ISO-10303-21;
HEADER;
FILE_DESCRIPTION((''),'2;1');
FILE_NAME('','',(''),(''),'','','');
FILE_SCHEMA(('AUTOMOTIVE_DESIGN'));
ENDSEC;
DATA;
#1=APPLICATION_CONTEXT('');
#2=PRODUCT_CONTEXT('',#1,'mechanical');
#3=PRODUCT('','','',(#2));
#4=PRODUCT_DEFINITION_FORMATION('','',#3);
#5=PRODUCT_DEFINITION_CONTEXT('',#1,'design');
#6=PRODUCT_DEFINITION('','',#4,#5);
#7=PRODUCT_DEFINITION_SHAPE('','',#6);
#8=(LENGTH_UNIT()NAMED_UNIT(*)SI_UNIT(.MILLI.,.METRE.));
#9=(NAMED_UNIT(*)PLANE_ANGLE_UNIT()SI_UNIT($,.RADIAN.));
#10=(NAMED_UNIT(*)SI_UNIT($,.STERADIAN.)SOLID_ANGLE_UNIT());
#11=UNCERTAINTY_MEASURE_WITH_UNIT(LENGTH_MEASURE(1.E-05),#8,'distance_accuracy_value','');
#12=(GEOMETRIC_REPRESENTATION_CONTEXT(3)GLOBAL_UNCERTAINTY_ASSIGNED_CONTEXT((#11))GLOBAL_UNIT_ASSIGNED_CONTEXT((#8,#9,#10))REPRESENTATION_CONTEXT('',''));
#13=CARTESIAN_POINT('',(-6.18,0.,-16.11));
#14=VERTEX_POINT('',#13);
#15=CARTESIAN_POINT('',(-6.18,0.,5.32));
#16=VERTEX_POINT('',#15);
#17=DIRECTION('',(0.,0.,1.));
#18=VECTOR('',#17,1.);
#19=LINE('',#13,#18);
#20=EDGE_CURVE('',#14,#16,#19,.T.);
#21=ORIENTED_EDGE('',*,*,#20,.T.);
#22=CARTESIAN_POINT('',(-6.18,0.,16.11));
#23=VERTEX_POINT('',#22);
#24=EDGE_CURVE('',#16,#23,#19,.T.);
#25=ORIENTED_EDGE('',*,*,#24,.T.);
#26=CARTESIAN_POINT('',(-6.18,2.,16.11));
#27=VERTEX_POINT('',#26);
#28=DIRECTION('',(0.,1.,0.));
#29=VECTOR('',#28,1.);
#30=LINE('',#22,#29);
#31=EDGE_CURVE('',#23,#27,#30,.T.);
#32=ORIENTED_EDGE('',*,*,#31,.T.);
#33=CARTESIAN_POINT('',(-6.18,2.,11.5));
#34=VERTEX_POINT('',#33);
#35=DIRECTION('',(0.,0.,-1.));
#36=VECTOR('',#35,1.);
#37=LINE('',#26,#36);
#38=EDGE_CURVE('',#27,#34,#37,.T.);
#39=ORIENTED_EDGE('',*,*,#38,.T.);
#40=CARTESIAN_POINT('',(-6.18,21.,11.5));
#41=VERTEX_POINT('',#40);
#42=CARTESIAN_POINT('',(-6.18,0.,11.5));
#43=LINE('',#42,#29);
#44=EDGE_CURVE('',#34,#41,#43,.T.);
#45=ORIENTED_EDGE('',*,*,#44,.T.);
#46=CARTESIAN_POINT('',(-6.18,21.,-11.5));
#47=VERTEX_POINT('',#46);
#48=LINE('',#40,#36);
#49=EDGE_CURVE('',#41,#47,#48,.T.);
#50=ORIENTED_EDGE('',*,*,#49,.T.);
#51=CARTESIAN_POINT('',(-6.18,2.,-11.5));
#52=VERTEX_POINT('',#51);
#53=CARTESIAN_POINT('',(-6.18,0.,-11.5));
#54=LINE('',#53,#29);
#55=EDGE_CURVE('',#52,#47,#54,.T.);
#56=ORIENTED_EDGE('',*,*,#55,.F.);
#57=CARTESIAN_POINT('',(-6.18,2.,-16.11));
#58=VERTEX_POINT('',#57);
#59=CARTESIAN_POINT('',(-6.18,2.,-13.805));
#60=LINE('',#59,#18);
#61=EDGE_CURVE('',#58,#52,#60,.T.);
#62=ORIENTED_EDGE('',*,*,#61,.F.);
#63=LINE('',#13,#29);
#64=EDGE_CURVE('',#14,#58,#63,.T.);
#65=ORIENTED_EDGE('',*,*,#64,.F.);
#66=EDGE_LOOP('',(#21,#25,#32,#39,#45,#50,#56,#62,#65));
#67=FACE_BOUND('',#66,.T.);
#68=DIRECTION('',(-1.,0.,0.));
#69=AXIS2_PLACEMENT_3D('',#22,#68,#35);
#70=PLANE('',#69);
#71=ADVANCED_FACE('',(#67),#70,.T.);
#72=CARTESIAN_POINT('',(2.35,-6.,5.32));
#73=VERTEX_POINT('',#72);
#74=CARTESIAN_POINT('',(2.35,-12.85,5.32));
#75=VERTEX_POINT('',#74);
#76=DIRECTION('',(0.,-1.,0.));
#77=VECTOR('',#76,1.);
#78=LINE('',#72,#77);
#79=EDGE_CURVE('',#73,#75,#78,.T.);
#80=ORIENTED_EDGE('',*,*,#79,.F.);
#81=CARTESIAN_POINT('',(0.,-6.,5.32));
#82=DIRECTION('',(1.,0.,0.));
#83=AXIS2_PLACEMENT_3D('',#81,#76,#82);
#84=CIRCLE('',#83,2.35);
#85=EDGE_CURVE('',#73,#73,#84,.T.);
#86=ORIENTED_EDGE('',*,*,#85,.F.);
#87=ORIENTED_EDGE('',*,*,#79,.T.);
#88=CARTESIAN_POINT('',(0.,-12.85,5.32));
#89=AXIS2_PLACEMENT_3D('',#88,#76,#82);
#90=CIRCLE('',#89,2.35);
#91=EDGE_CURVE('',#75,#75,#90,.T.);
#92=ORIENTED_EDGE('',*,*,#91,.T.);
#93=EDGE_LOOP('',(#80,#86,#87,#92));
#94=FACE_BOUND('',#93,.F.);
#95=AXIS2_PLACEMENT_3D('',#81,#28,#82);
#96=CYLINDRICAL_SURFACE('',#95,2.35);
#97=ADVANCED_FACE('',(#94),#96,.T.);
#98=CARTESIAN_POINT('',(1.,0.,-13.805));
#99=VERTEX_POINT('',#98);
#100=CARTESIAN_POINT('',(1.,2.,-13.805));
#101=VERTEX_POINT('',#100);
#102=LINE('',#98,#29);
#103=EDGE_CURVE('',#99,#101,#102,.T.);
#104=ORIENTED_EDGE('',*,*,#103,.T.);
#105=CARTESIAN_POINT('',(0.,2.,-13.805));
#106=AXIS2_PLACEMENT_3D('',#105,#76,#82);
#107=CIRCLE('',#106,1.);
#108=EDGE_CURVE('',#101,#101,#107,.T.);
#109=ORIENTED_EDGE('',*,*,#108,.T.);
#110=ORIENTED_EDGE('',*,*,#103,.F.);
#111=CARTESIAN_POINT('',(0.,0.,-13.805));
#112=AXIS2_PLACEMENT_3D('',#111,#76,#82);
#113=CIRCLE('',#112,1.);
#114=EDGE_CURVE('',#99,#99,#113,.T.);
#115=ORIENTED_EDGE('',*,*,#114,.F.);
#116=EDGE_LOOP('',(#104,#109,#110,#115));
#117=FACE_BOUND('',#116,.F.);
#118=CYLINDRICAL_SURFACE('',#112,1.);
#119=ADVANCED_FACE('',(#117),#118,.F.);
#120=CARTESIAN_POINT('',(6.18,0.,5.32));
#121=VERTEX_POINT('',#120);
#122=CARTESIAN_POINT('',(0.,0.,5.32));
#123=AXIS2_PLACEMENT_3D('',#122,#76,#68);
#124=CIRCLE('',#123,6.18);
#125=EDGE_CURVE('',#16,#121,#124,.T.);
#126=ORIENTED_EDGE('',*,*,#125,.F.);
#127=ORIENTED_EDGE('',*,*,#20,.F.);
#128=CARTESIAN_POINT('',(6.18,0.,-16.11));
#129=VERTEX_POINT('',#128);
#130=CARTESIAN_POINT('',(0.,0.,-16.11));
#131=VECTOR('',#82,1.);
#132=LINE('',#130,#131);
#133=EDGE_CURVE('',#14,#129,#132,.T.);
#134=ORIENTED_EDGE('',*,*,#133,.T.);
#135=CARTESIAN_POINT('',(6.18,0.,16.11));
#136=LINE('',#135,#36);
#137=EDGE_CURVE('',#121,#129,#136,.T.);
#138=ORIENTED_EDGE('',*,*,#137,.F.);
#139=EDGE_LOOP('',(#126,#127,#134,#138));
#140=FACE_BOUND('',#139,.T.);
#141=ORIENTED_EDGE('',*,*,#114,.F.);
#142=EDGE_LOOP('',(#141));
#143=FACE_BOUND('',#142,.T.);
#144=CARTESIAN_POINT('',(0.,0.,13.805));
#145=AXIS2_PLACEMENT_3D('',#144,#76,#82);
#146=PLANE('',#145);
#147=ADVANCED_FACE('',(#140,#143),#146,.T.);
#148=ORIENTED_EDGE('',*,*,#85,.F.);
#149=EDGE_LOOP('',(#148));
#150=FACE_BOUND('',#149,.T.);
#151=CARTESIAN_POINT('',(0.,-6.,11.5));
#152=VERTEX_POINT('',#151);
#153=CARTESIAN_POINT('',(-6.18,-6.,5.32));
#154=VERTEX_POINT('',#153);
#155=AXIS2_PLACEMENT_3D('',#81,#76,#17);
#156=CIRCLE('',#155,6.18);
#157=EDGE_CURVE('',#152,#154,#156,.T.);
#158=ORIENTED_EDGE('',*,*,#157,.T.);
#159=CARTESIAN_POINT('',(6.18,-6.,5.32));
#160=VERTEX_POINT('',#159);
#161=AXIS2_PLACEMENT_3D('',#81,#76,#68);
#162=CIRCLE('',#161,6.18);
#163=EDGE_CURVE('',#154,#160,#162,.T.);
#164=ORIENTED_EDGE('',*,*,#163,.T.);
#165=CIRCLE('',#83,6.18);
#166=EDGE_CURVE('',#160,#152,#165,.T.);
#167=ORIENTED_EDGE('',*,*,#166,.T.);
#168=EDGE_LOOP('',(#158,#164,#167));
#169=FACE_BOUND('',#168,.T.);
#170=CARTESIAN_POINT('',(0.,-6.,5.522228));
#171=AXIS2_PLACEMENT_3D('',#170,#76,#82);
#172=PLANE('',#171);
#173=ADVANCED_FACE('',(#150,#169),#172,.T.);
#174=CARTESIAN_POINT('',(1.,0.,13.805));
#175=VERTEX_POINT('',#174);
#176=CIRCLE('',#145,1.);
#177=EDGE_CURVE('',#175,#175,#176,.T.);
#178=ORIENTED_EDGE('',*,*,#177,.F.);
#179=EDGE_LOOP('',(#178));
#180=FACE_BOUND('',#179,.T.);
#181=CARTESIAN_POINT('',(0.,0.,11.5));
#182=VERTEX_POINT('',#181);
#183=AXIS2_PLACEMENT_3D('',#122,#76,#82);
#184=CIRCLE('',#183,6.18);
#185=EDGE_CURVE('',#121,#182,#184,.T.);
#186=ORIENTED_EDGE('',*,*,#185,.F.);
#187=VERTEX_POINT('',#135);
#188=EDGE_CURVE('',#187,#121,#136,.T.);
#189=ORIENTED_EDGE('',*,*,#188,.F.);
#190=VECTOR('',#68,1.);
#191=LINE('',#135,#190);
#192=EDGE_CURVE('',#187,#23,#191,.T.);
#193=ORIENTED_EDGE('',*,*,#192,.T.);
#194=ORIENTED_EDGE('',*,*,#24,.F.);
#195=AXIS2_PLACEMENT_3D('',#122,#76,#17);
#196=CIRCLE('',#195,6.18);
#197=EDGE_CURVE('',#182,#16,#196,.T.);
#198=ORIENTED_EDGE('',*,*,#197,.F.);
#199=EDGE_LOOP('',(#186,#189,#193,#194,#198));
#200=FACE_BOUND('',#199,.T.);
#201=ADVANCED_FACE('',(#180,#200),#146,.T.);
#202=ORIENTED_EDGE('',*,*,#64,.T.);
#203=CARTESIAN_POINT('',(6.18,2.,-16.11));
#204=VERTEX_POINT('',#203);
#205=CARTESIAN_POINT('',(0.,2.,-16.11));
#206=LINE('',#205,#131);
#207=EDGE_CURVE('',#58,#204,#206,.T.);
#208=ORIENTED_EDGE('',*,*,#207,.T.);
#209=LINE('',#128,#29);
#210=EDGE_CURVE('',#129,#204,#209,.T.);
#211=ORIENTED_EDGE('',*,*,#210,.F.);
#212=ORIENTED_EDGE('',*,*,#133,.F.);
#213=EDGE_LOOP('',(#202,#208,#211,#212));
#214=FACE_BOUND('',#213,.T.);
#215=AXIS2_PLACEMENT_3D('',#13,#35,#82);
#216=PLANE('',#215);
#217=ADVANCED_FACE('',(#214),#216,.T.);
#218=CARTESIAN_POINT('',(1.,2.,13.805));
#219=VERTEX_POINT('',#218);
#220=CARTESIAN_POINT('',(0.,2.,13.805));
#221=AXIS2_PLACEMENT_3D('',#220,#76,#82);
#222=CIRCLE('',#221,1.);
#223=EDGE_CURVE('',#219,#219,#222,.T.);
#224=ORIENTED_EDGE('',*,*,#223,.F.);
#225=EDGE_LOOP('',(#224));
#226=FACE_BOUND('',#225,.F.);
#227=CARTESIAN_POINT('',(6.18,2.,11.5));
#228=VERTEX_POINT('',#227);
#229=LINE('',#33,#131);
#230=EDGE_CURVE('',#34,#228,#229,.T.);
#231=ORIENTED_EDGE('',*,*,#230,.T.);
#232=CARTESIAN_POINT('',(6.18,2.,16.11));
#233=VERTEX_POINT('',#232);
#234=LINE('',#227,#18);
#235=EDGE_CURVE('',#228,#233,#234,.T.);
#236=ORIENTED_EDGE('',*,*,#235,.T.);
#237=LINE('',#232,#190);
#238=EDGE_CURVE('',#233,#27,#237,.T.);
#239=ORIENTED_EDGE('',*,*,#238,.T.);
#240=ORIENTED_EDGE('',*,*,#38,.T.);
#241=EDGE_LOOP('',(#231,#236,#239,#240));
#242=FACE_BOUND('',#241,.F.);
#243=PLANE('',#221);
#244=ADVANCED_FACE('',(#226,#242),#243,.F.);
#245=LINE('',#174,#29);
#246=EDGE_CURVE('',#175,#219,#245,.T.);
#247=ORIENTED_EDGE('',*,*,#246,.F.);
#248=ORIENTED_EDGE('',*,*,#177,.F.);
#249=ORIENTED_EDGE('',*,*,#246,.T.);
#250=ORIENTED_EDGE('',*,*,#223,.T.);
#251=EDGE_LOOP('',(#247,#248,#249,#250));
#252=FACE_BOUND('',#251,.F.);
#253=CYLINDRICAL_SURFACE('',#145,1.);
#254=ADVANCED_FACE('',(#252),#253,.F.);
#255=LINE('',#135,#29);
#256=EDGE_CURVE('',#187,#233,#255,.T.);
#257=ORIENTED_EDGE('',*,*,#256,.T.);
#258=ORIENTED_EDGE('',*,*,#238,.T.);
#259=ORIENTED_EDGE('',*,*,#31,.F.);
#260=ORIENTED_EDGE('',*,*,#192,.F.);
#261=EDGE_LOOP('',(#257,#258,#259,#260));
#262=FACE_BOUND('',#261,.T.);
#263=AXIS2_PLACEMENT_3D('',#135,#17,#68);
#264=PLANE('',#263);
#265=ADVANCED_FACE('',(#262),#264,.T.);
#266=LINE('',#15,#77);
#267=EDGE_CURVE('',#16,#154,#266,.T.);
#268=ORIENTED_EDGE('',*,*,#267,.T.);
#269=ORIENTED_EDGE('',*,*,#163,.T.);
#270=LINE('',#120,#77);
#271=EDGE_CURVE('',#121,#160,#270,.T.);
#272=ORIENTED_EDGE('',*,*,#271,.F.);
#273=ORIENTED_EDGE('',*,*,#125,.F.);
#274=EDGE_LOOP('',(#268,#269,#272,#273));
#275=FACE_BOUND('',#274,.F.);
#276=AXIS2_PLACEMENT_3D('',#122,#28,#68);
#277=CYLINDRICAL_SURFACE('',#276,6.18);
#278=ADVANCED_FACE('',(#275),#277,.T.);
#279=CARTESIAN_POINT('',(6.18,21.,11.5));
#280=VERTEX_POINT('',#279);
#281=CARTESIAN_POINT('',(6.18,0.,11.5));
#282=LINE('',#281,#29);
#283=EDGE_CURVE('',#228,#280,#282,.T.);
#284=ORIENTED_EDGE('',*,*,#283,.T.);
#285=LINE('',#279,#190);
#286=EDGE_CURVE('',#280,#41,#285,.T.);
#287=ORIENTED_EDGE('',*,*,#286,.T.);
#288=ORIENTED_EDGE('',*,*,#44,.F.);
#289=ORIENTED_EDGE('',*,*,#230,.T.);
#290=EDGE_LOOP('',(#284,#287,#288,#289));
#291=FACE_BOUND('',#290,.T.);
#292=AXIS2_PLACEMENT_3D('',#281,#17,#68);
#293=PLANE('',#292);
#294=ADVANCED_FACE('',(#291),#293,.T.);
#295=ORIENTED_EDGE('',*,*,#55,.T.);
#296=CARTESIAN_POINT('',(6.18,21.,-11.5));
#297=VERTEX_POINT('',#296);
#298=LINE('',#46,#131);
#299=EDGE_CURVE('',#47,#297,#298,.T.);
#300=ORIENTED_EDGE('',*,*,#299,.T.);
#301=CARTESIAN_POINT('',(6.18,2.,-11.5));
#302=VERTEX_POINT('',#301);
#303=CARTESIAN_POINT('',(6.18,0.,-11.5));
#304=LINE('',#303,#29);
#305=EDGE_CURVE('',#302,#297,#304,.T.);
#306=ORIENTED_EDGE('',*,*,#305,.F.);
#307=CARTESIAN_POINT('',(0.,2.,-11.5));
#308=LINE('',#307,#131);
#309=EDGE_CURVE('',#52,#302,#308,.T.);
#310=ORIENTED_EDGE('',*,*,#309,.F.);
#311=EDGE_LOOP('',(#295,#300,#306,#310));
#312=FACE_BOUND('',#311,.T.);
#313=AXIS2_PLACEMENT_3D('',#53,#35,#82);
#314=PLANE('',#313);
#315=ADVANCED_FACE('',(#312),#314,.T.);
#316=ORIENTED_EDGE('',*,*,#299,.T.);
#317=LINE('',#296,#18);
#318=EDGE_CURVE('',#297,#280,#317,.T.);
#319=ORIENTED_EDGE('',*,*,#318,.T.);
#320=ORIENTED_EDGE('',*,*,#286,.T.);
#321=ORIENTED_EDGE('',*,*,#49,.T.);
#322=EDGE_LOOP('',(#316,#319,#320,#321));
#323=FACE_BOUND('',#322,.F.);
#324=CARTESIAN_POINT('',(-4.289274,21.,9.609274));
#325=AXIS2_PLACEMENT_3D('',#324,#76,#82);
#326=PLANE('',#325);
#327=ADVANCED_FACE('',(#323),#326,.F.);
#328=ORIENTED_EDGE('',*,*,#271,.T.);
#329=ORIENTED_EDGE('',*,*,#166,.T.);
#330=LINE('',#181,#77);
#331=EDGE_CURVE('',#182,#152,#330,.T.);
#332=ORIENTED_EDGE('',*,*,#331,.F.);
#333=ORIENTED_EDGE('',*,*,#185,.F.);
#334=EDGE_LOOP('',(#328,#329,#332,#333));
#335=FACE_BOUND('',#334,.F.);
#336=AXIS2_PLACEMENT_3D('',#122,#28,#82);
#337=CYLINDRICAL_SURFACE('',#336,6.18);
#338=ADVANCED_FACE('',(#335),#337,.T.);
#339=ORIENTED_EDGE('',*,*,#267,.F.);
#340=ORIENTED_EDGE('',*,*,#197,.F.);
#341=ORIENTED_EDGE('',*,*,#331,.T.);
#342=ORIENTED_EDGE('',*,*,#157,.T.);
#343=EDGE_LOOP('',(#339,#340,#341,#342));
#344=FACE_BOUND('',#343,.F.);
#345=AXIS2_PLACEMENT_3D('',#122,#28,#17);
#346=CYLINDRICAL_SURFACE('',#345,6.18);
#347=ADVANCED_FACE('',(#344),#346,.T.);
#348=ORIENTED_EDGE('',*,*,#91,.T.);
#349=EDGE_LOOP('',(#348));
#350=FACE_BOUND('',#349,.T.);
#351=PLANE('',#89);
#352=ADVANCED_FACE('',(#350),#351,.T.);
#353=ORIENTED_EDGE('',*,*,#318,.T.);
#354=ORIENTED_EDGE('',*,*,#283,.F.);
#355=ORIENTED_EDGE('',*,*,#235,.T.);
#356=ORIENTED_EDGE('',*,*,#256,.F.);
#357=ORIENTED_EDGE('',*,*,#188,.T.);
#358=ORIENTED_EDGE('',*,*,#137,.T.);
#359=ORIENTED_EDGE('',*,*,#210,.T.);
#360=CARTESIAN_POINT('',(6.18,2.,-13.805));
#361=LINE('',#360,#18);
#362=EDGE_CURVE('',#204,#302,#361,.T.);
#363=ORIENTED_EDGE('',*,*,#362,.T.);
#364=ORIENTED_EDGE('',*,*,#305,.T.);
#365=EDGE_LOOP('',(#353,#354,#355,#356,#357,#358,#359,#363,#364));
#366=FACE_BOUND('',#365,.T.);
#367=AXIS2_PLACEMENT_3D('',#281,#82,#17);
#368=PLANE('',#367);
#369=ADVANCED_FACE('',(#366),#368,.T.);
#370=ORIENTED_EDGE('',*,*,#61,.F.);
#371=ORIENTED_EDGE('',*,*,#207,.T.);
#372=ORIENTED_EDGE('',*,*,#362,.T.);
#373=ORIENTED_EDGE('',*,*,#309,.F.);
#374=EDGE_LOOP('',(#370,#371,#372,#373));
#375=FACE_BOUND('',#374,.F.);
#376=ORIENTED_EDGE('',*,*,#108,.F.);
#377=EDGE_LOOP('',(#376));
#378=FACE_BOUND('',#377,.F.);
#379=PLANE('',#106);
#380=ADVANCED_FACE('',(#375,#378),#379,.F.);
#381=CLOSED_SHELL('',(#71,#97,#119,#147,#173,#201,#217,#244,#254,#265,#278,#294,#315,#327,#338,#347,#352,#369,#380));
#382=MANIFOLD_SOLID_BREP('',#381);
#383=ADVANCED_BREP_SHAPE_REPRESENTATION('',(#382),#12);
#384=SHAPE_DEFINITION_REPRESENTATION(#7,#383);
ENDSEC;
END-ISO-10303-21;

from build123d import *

# Parameters (mm, degrees)
F1_DEPTH = 21
F0_R     = 1
F0_W     = 12.36
F0_H     = 4.61
F2_DEPTH = 2
F3_DEPTH = 6
F4_R     = 2.35
F5_DEPTH = 6.85


with BuildPart() as f1:
    # F0 (on Front) → F1 (new body)
    with BuildSketch(Plane.XZ):
        with BuildLine():
            Line((0, 11.5), (-6.18, 11.5))
            Line((-6.18, 11.5), (-6.18, 5.32))
            ThreePointArc((-6.18, 5.32), (-4.3699199077, 9.6899199077), (0, 11.5))
        make_face()
        with BuildLine():
            ThreePointArc((6.18, 5.32), (0, -0.86), (-6.18, 5.32))
            Line((-6.18, 5.32), (-6.18, -11.5))
            Line((-6.18, -11.5), (6.18, -11.5))
            Line((6.18, -11.5), (6.18, 5.32))
        make_face()
        with BuildLine():
            Line((6.18, 5.32), (6.18, 11.5))
            Line((6.18, 11.5), (0, 11.5))
            ThreePointArc((0, 11.5), (4.3699199077, 9.6899199077), (6.18, 5.32))
        make_face()
        with BuildLine():
            ThreePointArc((0, 11.5), (-4.3699199077, 9.6899199077), (-6.18, 5.32))
            ThreePointArc((-6.18, 5.32), (0, -0.86), (6.18, 5.32))
            ThreePointArc((6.18, 5.32), (4.3699199077, 9.6899199077), (0, 11.5))
        make_face()
    extrude(amount=-F1_DEPTH)

    # F0 (on Front) → F2 (join)
    with BuildSketch(Plane.XZ):
        Polygon((6.18, 16.11), (-6.18, 16.11), (-6.18, 11.5), (0, 11.5), (6.18, 11.5), align=None)
        with Locations((0, 13.805)):
            Circle(F0_R, mode=Mode.SUBTRACT)
        with Locations((0, -13.805)):
            Rectangle(F0_W, F0_H)
        with Locations((0, -13.805)):
            Circle(F0_R, mode=Mode.SUBTRACT)
    extrude(amount=-F2_DEPTH)

    # F0 (on Front) → F3 (join)
    with BuildSketch(Plane.XZ):
        with BuildLine():
            ThreePointArc((0, 11.5), (-4.3699199077, 9.6899199077), (-6.18, 5.32))
            ThreePointArc((-6.18, 5.32), (0, -0.86), (6.18, 5.32))
            ThreePointArc((6.18, 5.32), (4.3699199077, 9.6899199077), (0, 11.5))
        make_face()
    extrude(amount=F3_DEPTH)

    # F4 (on face) → F5 (join)
    with BuildSketch(Plane.XZ.offset(6)):
        with Locations((0, 5.32)):
            Circle(F4_R)
    extrude(amount=F5_DEPTH)


solid = f1.part
